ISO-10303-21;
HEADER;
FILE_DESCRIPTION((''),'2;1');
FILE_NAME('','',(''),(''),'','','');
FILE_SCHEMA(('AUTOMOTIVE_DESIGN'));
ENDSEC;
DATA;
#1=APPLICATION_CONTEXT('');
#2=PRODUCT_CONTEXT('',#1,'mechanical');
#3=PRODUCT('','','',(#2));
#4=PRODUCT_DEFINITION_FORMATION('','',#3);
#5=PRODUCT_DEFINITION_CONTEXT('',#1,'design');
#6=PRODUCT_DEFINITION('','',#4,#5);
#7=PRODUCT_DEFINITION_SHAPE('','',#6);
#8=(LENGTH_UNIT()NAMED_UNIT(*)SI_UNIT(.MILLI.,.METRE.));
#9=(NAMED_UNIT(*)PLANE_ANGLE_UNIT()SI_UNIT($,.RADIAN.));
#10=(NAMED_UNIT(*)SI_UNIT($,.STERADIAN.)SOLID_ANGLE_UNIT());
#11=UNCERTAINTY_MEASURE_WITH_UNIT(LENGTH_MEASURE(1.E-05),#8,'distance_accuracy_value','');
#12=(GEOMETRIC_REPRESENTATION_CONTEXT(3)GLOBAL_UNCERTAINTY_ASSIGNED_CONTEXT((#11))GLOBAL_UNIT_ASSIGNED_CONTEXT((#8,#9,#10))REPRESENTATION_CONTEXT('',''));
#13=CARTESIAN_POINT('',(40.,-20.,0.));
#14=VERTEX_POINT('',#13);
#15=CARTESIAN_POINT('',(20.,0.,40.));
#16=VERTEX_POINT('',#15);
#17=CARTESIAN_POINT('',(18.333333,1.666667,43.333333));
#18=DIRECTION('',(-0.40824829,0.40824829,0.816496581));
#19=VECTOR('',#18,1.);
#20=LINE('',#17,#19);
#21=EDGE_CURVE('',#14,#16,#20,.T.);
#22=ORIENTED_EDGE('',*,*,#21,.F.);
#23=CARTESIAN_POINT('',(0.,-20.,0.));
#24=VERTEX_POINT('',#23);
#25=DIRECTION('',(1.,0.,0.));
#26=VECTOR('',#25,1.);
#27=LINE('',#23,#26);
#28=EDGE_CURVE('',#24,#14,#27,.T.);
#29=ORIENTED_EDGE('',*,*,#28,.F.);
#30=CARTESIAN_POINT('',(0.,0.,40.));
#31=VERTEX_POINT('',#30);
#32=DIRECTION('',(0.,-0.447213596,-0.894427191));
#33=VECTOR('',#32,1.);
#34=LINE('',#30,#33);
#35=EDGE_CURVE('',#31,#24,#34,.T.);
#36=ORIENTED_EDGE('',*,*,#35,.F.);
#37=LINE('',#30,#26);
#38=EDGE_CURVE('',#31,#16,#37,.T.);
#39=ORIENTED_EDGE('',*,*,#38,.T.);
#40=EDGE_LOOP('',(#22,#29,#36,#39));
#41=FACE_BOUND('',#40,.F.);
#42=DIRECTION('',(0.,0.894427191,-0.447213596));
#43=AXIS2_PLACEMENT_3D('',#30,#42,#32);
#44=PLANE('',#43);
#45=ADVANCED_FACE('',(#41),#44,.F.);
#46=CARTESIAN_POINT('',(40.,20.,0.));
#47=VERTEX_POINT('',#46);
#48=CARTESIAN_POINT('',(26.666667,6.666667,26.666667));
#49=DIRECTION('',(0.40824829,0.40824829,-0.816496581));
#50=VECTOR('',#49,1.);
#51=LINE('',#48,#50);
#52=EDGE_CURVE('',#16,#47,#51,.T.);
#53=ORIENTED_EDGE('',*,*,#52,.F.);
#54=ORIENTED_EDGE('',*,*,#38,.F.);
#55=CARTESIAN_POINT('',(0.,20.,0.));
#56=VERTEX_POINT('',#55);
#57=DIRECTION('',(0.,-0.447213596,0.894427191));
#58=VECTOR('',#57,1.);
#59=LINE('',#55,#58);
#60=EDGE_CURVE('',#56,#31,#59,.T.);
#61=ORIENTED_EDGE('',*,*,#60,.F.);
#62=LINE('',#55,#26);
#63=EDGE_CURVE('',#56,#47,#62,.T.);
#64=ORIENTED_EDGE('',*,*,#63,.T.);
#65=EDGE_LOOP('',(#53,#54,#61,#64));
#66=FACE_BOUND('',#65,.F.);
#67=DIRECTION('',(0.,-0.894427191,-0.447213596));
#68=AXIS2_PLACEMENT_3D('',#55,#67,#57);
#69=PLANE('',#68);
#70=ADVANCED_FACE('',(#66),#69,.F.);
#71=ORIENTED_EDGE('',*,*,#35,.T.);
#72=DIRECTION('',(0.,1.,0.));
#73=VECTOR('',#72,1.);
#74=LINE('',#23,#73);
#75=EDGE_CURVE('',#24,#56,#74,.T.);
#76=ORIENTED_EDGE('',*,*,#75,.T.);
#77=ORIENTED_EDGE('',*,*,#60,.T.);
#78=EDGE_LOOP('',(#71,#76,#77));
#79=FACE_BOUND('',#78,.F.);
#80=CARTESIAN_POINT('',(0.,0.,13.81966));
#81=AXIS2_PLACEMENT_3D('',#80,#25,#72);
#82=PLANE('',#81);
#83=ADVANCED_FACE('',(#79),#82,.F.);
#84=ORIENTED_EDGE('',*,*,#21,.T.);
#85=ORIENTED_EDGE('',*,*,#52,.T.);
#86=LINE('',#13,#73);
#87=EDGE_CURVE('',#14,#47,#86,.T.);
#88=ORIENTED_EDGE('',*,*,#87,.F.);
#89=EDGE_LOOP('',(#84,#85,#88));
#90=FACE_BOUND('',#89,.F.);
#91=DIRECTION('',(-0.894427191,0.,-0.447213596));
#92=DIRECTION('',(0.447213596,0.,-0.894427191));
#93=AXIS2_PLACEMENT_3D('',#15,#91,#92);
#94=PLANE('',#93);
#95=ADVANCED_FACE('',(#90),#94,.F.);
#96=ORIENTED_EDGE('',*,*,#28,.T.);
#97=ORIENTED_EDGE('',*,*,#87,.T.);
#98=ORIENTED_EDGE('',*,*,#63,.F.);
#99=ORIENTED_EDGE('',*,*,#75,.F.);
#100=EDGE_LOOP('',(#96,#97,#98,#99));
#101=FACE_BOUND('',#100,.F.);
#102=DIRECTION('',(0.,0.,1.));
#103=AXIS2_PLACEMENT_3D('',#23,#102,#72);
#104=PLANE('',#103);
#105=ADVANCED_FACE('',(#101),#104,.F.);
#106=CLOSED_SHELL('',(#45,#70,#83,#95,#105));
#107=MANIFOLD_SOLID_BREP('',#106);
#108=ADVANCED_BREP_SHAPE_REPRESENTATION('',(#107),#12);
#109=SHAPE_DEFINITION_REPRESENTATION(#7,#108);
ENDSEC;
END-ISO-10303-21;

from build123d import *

# Parameters (mm, degrees)
F1_DEPTH = 40
F3_DEPTH = 20


with BuildPart() as f1:
    # F0 (on Right) → F1 (new body)
    with BuildSketch(Plane.YZ):
        Polygon((0, 40), (-20, 0), (20, 0), align=None)
    extrude(amount=F1_DEPTH)

    # F2 (on Front) → F3 (cut, symmetric)
    with BuildSketch(Plane.XZ):
        Polygon((20, 40), (40, 0), (40, 40), align=None)
    extrude(amount=F3_DEPTH, both=True, mode=Mode.SUBTRACT)


solid = f1.part
